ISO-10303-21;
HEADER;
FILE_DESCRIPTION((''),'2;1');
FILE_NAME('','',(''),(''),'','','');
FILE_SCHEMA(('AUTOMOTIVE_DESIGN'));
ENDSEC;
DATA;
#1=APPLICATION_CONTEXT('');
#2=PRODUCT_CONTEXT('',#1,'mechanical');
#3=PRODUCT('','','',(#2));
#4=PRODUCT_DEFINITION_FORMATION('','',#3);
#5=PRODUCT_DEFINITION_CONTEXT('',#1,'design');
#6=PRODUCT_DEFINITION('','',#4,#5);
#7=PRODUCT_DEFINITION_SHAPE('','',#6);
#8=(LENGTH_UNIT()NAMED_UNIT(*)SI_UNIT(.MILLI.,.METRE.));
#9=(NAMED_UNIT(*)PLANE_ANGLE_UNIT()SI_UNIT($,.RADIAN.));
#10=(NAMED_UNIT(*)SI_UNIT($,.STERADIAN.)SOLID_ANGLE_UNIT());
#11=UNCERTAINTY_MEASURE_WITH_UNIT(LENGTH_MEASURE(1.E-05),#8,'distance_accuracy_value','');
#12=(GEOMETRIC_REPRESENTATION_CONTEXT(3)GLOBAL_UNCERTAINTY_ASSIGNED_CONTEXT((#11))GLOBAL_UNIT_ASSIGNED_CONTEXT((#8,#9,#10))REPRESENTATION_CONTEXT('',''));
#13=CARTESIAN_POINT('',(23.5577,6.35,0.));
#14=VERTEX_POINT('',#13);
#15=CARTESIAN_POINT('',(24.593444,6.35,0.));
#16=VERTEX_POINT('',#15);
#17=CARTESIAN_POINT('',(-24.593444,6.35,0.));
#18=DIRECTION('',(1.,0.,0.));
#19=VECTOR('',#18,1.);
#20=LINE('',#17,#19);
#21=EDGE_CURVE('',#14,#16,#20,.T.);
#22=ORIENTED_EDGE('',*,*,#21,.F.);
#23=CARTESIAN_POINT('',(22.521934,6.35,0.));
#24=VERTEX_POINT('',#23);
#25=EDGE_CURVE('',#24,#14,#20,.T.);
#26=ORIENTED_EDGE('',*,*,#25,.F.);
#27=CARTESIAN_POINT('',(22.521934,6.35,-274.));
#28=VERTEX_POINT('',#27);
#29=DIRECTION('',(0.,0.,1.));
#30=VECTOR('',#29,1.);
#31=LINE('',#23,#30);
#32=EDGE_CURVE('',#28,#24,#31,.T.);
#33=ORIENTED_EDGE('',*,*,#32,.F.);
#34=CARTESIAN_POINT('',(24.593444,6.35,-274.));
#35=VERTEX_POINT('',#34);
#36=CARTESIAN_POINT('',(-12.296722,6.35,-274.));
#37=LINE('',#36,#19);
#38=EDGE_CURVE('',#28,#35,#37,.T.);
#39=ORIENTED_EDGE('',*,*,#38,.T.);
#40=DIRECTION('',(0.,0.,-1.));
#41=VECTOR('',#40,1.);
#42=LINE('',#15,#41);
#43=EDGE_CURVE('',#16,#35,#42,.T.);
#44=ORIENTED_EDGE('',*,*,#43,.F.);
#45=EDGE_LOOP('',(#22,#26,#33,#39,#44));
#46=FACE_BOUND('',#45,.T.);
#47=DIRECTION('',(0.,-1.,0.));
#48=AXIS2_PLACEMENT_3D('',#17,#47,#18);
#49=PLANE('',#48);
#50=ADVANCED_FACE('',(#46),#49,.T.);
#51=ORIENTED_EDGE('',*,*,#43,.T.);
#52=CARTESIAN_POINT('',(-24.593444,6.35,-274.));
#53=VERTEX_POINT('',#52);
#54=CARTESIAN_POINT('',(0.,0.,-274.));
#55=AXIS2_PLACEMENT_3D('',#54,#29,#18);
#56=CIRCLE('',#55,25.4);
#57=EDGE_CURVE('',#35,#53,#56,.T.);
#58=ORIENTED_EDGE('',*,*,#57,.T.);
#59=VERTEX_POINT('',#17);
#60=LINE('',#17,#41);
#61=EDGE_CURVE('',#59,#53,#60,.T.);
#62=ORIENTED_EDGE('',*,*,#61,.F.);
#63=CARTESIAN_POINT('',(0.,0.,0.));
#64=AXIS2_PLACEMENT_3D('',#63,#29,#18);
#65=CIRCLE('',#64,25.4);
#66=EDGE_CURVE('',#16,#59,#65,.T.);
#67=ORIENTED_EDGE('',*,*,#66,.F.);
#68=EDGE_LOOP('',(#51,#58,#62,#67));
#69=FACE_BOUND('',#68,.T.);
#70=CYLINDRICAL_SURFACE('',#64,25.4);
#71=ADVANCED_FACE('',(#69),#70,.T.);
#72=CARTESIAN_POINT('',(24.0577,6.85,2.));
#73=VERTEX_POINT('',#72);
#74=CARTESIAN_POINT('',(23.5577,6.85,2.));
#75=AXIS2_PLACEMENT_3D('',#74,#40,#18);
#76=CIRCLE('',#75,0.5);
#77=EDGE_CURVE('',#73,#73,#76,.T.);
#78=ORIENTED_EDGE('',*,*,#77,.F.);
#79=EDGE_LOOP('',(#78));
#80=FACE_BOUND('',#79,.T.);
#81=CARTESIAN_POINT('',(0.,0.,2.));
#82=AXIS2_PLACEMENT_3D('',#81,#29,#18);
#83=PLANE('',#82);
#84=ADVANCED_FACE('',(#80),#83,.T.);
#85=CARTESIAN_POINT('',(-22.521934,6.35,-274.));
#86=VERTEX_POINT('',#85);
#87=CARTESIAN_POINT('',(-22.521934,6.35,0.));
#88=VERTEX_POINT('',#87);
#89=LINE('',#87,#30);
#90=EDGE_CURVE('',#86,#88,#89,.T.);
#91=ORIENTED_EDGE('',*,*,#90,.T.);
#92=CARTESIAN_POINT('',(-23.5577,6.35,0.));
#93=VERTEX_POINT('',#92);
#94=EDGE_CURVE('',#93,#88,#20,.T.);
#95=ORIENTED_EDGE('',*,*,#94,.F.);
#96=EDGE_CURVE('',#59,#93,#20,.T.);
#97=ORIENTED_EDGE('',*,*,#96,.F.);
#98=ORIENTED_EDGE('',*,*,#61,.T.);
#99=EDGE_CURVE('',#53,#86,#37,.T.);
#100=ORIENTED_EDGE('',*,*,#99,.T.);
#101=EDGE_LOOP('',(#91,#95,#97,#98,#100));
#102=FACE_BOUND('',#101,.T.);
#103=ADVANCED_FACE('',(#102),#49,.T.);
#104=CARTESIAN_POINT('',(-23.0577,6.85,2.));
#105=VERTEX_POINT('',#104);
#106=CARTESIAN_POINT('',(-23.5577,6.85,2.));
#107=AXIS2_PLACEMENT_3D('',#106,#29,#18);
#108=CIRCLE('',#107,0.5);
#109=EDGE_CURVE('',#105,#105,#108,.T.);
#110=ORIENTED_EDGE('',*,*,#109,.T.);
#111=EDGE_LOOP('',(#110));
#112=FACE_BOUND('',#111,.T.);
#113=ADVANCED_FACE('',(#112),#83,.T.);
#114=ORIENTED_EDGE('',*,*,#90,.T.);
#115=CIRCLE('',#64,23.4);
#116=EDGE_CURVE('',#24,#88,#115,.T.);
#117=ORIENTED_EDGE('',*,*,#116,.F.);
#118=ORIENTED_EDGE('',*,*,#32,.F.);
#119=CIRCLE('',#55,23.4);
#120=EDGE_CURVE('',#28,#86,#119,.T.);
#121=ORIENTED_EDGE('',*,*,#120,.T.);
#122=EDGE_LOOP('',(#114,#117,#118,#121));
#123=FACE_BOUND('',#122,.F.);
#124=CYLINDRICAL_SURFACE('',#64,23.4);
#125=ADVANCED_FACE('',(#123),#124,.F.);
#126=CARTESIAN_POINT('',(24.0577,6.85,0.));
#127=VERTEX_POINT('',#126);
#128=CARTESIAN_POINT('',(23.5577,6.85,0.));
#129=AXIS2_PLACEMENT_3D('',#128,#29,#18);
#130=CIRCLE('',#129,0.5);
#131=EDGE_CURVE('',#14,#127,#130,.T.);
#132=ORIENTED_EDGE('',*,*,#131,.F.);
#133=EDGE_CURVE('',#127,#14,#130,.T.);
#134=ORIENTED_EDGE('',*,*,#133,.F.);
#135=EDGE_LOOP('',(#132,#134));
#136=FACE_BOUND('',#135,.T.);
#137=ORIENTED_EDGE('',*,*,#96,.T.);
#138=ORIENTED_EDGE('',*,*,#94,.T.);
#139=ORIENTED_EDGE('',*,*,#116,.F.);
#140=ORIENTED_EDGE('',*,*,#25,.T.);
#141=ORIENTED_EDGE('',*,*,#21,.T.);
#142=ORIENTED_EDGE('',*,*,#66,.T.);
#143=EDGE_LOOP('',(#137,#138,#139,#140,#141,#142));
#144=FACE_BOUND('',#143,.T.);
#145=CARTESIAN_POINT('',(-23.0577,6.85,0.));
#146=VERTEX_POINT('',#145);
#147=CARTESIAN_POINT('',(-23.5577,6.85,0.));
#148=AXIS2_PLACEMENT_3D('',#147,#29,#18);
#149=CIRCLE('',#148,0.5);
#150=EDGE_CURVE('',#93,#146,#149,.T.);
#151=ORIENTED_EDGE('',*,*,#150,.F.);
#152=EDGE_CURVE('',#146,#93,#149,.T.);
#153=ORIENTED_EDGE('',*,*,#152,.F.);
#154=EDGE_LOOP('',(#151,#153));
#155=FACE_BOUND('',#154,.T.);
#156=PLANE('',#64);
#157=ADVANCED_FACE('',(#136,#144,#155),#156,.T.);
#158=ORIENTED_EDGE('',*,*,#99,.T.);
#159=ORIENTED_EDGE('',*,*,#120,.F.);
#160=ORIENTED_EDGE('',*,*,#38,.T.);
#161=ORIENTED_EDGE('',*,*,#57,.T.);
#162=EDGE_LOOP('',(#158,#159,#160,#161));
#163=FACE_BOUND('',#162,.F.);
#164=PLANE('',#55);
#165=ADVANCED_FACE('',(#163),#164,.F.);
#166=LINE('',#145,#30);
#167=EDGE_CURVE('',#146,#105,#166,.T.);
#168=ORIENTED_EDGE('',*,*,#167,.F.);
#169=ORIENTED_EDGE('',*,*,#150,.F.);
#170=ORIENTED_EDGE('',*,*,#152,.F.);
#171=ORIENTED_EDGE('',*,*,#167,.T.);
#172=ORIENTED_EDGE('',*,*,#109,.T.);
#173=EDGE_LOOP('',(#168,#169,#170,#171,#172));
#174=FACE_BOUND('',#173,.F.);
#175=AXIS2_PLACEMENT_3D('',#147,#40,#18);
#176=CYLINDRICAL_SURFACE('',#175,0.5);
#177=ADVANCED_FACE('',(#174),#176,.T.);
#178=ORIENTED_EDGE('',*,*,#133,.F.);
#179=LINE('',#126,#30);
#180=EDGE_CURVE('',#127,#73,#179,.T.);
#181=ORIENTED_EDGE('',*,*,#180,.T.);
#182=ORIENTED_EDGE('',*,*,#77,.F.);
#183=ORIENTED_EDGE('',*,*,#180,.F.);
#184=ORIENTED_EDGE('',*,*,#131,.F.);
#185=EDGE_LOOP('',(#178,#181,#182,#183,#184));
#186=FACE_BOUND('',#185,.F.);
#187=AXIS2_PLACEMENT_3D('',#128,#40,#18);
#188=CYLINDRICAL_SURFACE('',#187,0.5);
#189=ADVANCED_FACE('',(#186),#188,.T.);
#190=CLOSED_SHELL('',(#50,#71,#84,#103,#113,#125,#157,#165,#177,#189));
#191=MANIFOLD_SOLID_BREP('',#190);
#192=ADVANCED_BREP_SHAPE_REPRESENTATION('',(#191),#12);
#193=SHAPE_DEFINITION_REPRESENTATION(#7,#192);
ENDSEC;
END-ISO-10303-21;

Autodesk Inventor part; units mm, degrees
ref_plane "YZ Plane" through (0, 0, 0) normal (1, 0, 0) x (0, 1, 0)
ref_plane "XZ Plane" through (0, 0, 0) normal (0, 1, 0) x (-1, 0, 0)
ref_plane "XY Plane" through (0, 0, 0) normal (0, 0, 1) x (1, 0, 0)
sketch "Sketch1" plane through (0, 0, 0) normal (0, 0, 1) x (1, 0, 0)
  circle A0 centre (0, 0) radius 25.4
  circle A1 centre (0, 0) radius 23.4
  dimension "d0" = 50.8
  dimension "d1" = 2
extrude "Extrusion1" add sketch "Sketch1" against normal blind 274
sketch "Sketch2" plane through (0, 0, 0) normal (0, 0, 1) x (1, 0, 0)
  line L0 (-25.4, 6.35) -> (25.4, 6.35)
  line L1 (25.4, 6.35) -> (25.4, -25.4)
  line L2 (25.4, -25.4) -> (-25.4, -25.4)
  line L3 (-25.4, -25.4) -> (-25.4, 6.35)
  circle A0 centre (0, 0) radius 25.4 projected
  line L4 (0, 25.4) -> (0, -25.4)
  point P0 (-24.5934, 6.35)
  point P1 (24.5934, 6.35)
  dimension "d6" = 25.4
  dimension "d7" = 25.4
  dimension "d8" = 25.4
  dimension "d9" = 19.05
extrude "Extrusion2" cut sketch "Sketch2" against normal through all contours L0 L4 A0 | L0 A0 L4 picked at (-1.884, -14.6044) picked at (1.884, -14.6044)
sketch "Sketch3" plane through (0, 0, 0) normal (0, 0, 1) x (1, 0, 0)
  line L0 (22.5219, 6.35) -> (24.5934, 6.35) projected
  line L1 (23.5577, 6.35) -> (23.5577, 9.4971)
  arc A0 (24.5934, 6.35) -> (-24.5934, 6.35) centre (0, 0) ccw projected
  circle A1 centre (23.5577, 6.85) radius 0.5
  line L2 (0, 25.4) -> (0, 6.35) construction
  circle A2 centre (-23.5577, 6.85) radius 0.5
  dimension "d12" = 1
  dimension "d13" = 0.5
extrude "Extrusion3" add sketch "Sketch3" along normal blind 2 contours A1 L1 | L1 A1 | A2
properties part number "PCB Tray Top_3DPrint"
